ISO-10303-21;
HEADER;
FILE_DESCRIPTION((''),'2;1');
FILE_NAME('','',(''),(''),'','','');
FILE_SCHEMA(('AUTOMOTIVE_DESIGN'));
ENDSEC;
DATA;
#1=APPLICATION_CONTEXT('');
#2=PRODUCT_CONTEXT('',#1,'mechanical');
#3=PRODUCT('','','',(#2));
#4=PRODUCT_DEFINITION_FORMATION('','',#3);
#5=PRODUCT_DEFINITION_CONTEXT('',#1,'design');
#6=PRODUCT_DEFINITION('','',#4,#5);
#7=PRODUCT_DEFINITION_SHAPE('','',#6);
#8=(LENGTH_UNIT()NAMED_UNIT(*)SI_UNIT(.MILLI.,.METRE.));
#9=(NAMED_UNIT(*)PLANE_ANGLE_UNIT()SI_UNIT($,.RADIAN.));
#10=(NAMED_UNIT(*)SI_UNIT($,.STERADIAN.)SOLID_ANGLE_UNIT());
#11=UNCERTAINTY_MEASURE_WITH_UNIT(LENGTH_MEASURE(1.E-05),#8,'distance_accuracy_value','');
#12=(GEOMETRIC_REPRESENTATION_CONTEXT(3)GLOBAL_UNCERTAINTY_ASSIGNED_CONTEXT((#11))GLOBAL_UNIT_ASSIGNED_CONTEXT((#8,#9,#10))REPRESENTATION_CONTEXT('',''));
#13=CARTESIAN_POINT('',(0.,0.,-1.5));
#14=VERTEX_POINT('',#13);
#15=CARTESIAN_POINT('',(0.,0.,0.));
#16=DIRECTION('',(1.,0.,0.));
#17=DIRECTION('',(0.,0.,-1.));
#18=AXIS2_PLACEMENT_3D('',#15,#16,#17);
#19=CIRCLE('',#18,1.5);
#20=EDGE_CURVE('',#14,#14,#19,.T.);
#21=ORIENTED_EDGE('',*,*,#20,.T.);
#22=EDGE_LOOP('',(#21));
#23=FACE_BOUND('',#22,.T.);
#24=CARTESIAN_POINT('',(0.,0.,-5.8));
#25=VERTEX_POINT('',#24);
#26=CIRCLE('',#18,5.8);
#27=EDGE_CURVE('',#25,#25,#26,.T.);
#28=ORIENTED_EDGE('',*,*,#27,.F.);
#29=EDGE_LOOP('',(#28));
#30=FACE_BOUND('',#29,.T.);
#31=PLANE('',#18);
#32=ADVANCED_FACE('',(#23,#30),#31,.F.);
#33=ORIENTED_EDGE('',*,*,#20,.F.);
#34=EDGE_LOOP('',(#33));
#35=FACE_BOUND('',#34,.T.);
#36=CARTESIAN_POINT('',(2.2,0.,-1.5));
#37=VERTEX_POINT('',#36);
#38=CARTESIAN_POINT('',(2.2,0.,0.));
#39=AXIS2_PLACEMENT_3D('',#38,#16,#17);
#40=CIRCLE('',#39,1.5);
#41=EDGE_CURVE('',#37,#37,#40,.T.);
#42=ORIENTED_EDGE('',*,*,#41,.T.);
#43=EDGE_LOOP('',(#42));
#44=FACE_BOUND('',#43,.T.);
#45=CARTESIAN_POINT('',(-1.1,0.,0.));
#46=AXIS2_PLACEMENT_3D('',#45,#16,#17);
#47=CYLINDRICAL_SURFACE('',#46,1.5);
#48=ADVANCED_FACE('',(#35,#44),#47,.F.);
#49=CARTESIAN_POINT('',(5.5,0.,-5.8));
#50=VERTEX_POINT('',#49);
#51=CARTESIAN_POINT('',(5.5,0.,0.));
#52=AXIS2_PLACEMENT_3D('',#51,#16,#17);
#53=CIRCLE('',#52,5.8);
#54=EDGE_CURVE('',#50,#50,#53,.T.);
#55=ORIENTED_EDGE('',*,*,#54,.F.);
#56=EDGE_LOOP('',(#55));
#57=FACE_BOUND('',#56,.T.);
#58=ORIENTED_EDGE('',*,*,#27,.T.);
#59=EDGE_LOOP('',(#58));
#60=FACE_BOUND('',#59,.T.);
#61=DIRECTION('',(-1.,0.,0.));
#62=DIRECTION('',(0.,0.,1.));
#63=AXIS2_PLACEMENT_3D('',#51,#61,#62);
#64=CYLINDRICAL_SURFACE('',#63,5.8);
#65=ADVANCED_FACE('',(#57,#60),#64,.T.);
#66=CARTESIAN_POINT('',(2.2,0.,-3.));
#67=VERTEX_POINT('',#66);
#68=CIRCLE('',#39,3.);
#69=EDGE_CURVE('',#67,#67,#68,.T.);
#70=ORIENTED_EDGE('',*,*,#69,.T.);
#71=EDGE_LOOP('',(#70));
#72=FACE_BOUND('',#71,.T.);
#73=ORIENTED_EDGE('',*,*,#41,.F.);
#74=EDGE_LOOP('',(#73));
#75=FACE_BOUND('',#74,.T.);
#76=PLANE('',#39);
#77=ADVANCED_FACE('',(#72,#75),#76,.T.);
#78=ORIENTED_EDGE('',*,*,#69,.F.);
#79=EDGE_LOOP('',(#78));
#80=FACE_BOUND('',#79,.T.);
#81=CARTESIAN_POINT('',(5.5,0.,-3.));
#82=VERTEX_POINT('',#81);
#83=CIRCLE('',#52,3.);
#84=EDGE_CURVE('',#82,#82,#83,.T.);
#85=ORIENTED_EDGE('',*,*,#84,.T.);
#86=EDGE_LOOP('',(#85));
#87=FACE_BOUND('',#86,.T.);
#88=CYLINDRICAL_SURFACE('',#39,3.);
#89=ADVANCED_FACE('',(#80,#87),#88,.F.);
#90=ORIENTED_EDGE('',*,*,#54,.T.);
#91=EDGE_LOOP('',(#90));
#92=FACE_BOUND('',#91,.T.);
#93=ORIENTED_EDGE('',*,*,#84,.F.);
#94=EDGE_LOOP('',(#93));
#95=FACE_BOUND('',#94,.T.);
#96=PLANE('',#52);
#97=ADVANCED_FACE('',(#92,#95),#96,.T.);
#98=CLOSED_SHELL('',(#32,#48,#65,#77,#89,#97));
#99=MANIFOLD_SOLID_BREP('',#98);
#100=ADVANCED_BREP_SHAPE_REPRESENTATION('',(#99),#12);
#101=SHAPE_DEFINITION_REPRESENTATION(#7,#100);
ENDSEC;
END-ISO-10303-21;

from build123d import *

# Parameters (mm, degrees)
SKETCH1_R           = 5.8
BOSS_EXTRUDE1_DEPTH = 5.5
SKETCH2_R           = 3
CUT_EXTRUDE1_DEPTH  = 3.3
SKETCH3_R           = 1.5
CUT_EXTRUDE2_DEPTH  = 3.3


with BuildPart() as part:
    # Sketch1 → Boss-Extrude1 (new body)
    with BuildSketch(Plane(origin=(0, 0, 0), x_dir=(0, 0, -1), z_dir=(1, 0, 0))):
        Circle(SKETCH1_R)
    extrude(amount=BOSS_EXTRUDE1_DEPTH)

    # Sketch2 → Cut-Extrude1 (cut)
    with BuildSketch(Plane(origin=(5.5, 0, 0), x_dir=(0, 0, -1), z_dir=(1, 0, 0))):
        Circle(SKETCH2_R)
    extrude(amount=-CUT_EXTRUDE1_DEPTH, mode=Mode.SUBTRACT)

    # Sketch3 → Cut-Extrude2 (cut)
    with BuildSketch(Plane(origin=(2.2, 0, 0), x_dir=(0, 0, -1), z_dir=(1, 0, 0))):
        Circle(SKETCH3_R)
    extrude(amount=-CUT_EXTRUDE2_DEPTH, mode=Mode.SUBTRACT)


solid = part.part
